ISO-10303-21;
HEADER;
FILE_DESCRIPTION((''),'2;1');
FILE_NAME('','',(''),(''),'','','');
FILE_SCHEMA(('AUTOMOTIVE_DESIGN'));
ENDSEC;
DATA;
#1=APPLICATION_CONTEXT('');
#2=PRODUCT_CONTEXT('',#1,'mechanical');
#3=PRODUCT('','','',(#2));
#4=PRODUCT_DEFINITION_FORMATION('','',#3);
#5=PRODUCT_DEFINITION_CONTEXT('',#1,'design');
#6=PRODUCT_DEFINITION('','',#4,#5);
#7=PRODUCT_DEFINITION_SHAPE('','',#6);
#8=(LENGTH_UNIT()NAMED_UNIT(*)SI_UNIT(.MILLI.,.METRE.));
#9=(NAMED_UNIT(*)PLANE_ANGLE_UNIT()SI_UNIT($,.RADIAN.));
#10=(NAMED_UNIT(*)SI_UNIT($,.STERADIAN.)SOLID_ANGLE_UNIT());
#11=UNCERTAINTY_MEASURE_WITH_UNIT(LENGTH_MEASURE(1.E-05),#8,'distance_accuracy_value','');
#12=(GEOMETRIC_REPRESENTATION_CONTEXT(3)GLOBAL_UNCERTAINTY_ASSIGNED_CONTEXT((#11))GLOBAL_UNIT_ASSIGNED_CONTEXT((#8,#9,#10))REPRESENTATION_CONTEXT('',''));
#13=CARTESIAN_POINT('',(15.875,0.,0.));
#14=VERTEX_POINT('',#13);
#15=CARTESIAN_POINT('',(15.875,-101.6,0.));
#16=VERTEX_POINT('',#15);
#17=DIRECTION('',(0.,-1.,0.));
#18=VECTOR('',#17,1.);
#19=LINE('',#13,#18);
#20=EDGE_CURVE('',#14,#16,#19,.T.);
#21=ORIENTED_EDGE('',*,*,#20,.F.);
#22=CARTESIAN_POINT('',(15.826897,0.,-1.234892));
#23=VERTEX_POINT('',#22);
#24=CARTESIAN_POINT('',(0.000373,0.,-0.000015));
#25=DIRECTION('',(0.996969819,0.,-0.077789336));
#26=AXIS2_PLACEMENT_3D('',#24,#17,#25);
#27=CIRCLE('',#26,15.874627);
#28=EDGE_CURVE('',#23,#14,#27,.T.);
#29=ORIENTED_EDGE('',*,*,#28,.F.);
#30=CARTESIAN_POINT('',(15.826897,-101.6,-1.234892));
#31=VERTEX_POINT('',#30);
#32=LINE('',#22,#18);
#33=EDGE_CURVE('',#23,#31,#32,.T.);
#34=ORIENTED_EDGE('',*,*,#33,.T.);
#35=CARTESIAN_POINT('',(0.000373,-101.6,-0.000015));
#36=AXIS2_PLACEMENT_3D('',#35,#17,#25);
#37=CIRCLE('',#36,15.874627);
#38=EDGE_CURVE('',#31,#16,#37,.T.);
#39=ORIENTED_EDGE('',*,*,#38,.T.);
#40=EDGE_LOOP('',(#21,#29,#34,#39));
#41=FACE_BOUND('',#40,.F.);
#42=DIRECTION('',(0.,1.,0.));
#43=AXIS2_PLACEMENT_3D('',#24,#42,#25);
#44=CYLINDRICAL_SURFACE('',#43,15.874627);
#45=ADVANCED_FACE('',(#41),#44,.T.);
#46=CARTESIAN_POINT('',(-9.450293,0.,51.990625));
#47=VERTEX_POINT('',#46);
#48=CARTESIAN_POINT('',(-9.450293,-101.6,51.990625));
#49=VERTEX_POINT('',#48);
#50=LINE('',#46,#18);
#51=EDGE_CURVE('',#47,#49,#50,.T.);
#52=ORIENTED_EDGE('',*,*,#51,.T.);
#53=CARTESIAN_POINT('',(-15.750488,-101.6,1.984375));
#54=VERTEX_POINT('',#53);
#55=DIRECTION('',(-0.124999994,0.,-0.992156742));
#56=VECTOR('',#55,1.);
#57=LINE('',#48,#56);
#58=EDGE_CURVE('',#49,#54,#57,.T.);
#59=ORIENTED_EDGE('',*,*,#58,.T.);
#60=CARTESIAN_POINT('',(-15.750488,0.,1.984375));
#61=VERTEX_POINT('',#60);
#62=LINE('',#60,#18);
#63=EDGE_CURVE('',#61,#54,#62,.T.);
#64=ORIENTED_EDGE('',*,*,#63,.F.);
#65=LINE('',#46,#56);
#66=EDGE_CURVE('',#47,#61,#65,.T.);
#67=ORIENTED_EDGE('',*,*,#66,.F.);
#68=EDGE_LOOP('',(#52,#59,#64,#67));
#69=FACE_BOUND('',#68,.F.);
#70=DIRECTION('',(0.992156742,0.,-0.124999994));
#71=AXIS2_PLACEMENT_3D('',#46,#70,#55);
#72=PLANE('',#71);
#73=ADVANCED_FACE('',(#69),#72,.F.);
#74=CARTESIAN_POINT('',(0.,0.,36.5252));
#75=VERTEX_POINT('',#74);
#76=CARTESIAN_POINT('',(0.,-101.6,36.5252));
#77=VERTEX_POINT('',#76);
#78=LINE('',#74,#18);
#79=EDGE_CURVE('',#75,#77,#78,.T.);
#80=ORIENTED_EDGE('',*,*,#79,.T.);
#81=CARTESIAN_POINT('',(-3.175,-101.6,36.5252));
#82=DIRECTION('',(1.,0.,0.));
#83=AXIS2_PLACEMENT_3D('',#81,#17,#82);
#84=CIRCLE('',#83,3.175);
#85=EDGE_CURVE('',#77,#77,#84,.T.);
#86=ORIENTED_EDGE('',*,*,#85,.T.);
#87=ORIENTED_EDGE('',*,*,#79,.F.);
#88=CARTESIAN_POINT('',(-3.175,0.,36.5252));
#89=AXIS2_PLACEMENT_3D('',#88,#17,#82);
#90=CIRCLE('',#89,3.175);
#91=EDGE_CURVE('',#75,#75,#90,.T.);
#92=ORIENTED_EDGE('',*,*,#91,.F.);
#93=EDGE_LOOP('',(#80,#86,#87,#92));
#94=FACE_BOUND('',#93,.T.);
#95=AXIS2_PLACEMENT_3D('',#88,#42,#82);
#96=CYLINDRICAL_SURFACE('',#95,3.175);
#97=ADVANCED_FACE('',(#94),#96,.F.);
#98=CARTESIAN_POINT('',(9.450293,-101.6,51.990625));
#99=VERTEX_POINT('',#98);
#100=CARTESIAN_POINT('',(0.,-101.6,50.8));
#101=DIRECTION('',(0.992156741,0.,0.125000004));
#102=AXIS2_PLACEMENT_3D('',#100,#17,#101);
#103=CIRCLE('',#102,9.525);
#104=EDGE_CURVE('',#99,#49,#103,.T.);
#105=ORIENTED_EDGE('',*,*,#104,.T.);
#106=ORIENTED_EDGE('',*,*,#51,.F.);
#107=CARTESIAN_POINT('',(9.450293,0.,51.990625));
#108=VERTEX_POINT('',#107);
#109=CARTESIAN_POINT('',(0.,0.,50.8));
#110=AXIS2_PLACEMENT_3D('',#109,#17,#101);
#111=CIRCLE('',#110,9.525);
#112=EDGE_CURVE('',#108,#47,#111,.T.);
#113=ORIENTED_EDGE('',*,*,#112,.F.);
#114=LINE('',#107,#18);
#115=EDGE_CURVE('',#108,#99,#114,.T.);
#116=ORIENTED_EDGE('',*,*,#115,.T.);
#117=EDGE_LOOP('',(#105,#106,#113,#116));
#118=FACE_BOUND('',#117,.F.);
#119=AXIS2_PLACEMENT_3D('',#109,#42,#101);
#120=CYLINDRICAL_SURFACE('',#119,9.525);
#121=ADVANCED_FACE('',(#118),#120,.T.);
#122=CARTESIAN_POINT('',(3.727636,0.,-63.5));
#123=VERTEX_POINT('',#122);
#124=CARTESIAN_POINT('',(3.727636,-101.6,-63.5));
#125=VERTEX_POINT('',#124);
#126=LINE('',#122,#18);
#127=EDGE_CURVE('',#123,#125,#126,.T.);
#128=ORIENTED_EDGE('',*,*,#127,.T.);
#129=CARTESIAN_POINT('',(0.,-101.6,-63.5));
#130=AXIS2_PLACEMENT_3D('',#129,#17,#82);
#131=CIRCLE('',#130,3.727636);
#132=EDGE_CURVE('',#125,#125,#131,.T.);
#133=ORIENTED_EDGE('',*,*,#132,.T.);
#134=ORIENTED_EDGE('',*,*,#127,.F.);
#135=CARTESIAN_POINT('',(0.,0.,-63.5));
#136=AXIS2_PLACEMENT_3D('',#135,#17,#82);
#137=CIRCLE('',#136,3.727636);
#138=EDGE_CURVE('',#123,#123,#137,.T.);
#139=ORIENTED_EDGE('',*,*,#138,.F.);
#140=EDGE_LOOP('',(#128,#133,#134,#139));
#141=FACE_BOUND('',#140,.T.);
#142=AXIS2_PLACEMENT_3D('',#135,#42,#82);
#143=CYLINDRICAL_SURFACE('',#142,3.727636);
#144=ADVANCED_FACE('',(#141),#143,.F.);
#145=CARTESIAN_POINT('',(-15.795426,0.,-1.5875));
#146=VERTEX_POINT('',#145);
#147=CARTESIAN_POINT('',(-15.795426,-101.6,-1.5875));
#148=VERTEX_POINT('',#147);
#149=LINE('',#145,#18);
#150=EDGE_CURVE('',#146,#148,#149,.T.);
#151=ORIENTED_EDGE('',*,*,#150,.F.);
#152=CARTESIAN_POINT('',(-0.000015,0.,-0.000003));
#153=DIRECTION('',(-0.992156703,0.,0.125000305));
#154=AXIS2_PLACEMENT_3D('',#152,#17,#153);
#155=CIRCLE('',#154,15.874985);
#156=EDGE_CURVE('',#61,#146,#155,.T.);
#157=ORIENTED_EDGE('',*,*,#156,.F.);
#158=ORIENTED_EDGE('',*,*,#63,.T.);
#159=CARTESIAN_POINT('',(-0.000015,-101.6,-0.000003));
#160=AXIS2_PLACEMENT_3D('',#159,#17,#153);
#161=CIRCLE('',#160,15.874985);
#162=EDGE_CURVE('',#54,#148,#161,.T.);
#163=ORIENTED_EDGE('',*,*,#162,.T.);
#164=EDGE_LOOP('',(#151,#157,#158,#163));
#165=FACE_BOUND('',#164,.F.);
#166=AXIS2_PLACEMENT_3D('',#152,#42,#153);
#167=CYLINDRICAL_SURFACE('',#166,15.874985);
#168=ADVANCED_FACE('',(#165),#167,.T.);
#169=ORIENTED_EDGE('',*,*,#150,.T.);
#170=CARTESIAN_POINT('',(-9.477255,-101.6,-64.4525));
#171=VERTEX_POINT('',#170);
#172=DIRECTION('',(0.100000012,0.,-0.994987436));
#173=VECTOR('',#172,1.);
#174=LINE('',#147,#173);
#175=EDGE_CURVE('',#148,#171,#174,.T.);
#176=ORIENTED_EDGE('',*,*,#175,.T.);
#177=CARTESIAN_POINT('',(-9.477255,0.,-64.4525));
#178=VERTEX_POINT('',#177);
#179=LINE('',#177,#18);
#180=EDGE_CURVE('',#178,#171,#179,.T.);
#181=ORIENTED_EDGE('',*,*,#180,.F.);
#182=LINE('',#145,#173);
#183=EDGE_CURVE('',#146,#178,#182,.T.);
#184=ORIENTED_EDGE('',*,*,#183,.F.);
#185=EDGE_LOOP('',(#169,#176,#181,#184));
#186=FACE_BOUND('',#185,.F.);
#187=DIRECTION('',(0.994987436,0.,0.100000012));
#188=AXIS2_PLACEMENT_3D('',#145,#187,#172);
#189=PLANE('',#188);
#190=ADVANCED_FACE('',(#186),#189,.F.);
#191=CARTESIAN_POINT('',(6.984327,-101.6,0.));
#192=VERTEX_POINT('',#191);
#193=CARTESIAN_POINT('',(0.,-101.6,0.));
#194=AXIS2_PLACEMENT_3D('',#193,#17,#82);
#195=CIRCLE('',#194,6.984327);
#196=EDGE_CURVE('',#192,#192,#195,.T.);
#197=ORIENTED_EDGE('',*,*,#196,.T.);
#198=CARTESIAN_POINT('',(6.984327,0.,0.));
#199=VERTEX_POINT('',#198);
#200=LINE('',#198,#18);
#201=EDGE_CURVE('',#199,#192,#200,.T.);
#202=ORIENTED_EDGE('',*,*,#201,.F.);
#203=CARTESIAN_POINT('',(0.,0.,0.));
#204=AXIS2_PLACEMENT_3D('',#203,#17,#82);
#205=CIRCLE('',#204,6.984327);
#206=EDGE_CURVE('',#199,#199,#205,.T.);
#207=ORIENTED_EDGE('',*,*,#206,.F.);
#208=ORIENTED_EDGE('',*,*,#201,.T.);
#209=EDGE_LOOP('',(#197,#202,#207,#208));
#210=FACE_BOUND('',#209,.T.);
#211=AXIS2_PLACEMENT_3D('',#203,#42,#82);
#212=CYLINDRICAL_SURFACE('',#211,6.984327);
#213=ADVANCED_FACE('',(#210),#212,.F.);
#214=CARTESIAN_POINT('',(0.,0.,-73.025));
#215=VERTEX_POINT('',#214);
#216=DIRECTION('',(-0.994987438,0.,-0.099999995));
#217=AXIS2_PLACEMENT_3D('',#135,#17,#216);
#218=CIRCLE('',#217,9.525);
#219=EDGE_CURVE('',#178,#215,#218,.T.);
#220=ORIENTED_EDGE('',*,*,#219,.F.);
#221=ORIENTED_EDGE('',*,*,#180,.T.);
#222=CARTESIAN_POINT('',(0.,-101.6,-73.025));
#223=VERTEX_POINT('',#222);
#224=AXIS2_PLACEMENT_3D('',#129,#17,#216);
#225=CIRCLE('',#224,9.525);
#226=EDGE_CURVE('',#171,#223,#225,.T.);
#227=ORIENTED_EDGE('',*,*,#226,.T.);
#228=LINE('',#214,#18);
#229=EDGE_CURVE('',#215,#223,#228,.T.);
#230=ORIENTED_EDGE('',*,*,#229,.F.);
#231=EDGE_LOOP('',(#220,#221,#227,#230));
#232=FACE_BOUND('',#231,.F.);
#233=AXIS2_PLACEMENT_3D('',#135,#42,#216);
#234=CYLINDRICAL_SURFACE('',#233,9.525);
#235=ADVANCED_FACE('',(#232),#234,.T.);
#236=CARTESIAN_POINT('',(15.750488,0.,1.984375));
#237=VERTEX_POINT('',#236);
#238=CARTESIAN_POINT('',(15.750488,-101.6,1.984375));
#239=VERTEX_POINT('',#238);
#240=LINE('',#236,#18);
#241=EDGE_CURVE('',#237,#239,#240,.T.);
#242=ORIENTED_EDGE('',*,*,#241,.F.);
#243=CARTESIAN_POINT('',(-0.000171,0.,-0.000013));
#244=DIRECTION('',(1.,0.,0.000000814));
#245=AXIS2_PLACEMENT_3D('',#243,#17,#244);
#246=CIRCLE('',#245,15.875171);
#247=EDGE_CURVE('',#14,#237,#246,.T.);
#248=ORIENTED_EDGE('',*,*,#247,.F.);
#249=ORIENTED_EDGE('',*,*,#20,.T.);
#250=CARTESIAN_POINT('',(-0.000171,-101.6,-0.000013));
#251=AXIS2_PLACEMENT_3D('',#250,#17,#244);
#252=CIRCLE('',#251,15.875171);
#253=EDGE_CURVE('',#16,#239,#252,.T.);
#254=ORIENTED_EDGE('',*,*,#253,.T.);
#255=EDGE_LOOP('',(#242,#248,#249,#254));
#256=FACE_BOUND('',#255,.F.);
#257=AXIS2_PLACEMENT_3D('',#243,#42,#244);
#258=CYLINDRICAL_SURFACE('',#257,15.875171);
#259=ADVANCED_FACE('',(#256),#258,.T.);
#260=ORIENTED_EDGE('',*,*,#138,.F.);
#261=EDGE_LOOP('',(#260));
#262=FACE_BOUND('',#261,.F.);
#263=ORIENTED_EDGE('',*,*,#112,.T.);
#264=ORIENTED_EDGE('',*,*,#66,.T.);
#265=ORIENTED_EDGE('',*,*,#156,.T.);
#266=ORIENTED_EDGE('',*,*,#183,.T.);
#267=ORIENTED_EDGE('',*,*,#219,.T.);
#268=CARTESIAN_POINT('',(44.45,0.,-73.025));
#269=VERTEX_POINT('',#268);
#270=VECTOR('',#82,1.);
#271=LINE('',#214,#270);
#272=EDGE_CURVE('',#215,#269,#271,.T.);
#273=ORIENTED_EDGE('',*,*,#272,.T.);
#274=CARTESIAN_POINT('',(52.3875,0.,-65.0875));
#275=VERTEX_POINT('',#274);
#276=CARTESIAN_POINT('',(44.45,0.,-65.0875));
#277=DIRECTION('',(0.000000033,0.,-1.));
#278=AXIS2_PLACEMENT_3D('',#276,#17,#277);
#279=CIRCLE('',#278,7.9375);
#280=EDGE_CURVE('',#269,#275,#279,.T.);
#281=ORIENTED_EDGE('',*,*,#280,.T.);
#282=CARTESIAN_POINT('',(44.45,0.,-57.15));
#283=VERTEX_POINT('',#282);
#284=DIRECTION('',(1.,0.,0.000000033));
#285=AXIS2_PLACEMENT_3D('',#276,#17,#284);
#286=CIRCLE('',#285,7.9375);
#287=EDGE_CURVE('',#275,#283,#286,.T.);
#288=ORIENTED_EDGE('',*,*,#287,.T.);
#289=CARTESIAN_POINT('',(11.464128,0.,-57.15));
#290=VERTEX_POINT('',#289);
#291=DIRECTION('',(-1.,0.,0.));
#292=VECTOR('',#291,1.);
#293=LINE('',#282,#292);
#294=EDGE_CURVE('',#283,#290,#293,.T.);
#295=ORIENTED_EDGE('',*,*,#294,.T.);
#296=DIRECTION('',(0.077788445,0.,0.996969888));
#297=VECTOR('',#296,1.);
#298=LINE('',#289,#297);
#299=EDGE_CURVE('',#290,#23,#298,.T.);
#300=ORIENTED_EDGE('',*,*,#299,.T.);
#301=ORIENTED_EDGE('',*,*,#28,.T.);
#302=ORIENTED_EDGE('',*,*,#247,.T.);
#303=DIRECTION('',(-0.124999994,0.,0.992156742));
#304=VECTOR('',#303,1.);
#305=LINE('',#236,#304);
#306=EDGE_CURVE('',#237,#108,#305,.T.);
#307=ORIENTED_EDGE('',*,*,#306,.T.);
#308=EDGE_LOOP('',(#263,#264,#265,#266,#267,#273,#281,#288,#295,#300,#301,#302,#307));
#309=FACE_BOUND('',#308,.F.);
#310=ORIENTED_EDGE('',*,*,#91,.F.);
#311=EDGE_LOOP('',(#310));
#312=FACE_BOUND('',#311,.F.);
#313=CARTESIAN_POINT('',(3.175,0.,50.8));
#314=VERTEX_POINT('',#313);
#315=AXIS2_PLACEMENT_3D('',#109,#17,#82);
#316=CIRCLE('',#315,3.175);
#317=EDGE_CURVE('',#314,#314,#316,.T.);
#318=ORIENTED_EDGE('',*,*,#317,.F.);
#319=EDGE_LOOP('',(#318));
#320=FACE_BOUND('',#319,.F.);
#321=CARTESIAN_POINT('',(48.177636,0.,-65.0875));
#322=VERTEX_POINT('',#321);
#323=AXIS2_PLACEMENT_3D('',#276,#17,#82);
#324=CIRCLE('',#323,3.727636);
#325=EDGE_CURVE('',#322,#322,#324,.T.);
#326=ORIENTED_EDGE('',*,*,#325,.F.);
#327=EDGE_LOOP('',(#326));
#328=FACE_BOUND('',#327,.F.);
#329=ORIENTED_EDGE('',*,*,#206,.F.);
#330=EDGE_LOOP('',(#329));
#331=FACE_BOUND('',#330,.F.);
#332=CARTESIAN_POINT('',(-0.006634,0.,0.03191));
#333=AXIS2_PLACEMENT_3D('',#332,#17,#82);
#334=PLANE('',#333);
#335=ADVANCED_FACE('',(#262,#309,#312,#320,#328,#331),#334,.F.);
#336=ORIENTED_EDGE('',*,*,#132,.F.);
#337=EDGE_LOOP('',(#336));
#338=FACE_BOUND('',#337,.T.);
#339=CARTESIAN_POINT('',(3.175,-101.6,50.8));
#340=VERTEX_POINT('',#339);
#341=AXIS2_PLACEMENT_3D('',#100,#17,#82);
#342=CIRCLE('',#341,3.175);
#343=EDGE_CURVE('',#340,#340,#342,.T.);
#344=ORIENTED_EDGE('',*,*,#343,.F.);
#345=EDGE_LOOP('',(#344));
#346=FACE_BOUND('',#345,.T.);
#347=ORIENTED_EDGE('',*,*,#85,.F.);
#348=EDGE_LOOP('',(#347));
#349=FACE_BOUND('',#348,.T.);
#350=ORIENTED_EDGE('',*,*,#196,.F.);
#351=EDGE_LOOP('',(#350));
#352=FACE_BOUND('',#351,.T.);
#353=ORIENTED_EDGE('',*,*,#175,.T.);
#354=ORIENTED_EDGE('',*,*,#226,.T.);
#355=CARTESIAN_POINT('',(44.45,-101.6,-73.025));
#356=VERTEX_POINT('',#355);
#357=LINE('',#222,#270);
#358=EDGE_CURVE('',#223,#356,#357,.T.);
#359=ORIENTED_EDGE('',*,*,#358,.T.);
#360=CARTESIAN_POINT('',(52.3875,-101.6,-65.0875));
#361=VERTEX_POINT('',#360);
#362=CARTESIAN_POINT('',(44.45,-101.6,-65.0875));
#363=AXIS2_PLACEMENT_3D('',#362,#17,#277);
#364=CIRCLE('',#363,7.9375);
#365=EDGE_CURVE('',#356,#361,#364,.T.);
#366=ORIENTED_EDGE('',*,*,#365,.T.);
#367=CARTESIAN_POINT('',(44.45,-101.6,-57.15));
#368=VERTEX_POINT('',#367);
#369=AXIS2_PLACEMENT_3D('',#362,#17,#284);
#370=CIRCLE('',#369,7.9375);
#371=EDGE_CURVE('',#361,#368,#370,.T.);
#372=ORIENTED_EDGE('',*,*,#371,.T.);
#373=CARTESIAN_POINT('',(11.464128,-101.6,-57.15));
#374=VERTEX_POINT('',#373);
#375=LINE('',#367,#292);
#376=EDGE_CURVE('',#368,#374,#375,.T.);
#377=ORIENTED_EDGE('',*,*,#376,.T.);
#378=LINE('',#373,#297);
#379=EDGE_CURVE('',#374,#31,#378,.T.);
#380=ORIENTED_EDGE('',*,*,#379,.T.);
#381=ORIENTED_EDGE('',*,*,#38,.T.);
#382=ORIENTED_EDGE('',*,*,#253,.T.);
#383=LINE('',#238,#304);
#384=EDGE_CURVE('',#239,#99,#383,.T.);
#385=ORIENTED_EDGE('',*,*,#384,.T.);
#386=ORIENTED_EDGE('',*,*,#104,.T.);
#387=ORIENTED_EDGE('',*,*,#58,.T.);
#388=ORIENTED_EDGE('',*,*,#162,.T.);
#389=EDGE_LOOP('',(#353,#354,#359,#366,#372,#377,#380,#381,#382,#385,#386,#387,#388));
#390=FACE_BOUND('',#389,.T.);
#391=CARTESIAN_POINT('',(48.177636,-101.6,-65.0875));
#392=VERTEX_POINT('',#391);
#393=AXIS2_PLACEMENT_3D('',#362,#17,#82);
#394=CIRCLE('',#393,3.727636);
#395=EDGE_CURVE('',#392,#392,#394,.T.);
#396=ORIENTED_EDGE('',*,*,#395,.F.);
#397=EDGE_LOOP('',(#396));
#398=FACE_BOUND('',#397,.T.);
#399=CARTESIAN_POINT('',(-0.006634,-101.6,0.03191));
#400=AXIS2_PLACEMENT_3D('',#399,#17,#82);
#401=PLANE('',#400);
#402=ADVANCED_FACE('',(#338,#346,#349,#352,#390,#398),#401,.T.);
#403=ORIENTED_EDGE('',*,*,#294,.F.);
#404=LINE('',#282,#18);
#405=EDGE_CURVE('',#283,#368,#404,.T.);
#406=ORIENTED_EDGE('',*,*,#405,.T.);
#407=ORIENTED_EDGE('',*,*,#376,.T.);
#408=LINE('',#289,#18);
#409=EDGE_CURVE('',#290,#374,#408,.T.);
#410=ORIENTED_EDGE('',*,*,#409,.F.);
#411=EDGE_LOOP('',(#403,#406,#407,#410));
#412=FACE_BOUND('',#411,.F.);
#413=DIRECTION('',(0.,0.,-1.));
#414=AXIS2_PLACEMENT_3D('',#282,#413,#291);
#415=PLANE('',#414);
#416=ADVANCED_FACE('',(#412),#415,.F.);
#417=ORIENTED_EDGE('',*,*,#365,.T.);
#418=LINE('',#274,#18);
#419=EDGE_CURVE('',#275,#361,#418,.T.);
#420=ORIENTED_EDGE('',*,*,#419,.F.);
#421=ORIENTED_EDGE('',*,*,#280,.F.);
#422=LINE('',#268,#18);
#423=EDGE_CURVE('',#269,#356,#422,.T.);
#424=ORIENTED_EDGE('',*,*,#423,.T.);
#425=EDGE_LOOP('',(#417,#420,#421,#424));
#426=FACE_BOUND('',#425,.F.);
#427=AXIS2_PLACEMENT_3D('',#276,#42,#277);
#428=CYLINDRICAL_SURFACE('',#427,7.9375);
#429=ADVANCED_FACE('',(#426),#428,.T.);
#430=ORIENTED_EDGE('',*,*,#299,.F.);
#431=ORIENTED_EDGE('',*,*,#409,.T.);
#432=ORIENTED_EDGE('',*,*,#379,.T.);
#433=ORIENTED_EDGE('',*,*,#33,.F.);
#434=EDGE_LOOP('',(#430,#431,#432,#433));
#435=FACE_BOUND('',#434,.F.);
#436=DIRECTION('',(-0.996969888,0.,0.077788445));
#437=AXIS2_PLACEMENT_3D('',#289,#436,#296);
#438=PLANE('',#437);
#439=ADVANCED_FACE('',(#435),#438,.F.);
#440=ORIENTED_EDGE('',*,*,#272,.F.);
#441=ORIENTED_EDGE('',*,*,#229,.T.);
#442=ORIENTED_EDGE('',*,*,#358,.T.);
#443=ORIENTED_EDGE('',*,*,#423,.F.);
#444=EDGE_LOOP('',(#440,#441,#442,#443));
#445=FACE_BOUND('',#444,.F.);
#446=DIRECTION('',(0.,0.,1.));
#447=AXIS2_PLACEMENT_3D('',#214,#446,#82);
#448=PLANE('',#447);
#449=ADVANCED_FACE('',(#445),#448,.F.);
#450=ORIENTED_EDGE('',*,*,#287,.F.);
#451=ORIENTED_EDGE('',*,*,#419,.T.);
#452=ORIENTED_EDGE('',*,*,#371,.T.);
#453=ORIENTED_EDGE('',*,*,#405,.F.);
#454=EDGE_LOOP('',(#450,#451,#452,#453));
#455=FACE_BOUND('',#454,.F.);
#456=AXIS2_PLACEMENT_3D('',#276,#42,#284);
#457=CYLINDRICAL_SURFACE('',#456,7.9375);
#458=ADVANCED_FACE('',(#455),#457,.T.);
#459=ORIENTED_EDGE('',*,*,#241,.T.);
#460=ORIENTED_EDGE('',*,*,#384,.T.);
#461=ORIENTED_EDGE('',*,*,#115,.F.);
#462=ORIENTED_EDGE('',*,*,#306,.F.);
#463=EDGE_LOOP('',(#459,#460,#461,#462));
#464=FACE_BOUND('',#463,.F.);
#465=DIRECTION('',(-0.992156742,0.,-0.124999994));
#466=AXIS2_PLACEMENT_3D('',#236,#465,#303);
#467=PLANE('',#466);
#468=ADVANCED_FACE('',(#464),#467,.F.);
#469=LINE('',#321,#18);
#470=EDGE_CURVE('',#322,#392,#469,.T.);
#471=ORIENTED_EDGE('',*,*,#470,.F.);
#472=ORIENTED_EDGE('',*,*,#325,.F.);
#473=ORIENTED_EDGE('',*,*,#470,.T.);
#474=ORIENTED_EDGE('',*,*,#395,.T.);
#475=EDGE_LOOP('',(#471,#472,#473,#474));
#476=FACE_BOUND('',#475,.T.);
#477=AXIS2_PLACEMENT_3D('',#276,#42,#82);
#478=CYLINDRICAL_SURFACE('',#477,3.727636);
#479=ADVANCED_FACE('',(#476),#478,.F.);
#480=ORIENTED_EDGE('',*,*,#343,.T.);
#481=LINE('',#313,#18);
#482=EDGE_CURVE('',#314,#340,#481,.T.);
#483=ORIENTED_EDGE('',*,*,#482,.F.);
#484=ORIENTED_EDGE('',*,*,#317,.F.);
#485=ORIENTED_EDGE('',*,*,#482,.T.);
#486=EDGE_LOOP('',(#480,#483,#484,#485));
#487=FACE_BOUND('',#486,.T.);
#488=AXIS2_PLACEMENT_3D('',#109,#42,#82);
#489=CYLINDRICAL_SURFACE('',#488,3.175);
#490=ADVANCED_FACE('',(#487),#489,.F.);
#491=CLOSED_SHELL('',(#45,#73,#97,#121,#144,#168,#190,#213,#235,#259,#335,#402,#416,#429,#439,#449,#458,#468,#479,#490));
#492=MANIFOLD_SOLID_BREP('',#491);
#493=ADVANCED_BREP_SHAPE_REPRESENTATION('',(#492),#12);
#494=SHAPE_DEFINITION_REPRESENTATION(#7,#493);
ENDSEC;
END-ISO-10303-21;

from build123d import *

# Parameters (mm, degrees)
F0_R     = 6.984327
F0_R_2   = 3.175
F0_R_3   = 3.727636
F1_DEPTH = 101.6


with BuildPart() as f1:
    # F0 (on Front) → F1 (new body)
    with BuildSketch(Plane.XZ):
        with BuildLine():
            ThreePointArc((15.826897, -1.234892), (15.86297, -0.617914), (15.875, 0))
            ThreePointArc((15.875, 0), (15.843841, 0.994139), (15.750488, 1.984375))
            ThreePointArc((15.750488, 1.984375), (0, 15.875), (-15.750488, 1.984375))
            ThreePointArc((-15.750488, 1.984375), (-15.873744, 0.199705), (-15.795426, -1.5875))
            ThreePointArc((-15.795426, -1.5875), (0.177005, -15.874013), (15.826897, -1.234892))
        make_face()
        Circle(F0_R, mode=Mode.SUBTRACT)
        with BuildLine():
            ThreePointArc((-15.750488, 1.984375), (0, 15.875), (15.750488, 1.984375))
            Line((15.750488, 1.984375), (9.450293, 51.990625))
            ThreePointArc((9.450293, 51.990625), (9.506305, 51.396483), (9.525, 50.8))
            ThreePointArc((9.525, 50.8), (-0.596483, 41.293695), (-9.450293, 51.990625))
            Line((-9.450293, 51.990625), (-15.750488, 1.984375))
        make_face()
        with Locations((-3.175, 36.5252)):
            Circle(F0_R_2, mode=Mode.SUBTRACT)
        with BuildLine():
            Line((11.464128, -57.15), (15.826897, -1.234892))
            ThreePointArc((15.826897, -1.234892), (0.177005, -15.874013), (-15.795426, -1.5875))
            Line((-15.795426, -1.5875), (-9.477255, -64.4525))
            ThreePointArc((-9.477255, -64.4525), (-0.476848, -53.986944), (9.525, -63.5))
            ThreePointArc((9.525, -63.5), (6.735192, -70.235192), (0, -73.025))
            Line((0, -73.025), (44.45, -73.025))
            ThreePointArc((44.45, -73.025), (36.5125, -65.0875), (44.45, -57.15))
            Line((44.45, -57.15), (11.464128, -57.15))
        make_face()
        with BuildLine():
            ThreePointArc((9.525, 50.8), (9.506305, 51.396483), (9.450293, 51.990625))
            ThreePointArc((9.450293, 51.990625), (0, 60.325), (-9.450293, 51.990625))
            ThreePointArc((-9.450293, 51.990625), (-0.596483, 41.293695), (9.525, 50.8))
        make_face()
        with Locations((0, 50.8)):
            Circle(F0_R_2, mode=Mode.SUBTRACT)
        with BuildLine():
            ThreePointArc((9.525, -63.5), (-0.476848, -53.986944), (-9.477255, -64.4525))
            ThreePointArc((-9.477255, -64.4525), (-6.389564, -70.563929), (0, -73.025))
            ThreePointArc((0, -73.025), (6.735192, -70.235192), (9.525, -63.5))
        make_face()
        with Locations((0, -63.5)):
            Circle(F0_R_3, mode=Mode.SUBTRACT)
        with BuildLine():
            ThreePointArc((52.3875, -65.0875), (50.06266, -59.47484), (44.45, -57.15))
            ThreePointArc((44.45, -57.15), (36.5125, -65.0875), (44.45, -73.025))
            ThreePointArc((44.45, -73.025), (50.06266, -70.70016), (52.3875, -65.0875))
        make_face()
        with Locations((44.45, -65.0875)):
            Circle(F0_R_3, mode=Mode.SUBTRACT)
    extrude(amount=F1_DEPTH)


solid = f1.part
